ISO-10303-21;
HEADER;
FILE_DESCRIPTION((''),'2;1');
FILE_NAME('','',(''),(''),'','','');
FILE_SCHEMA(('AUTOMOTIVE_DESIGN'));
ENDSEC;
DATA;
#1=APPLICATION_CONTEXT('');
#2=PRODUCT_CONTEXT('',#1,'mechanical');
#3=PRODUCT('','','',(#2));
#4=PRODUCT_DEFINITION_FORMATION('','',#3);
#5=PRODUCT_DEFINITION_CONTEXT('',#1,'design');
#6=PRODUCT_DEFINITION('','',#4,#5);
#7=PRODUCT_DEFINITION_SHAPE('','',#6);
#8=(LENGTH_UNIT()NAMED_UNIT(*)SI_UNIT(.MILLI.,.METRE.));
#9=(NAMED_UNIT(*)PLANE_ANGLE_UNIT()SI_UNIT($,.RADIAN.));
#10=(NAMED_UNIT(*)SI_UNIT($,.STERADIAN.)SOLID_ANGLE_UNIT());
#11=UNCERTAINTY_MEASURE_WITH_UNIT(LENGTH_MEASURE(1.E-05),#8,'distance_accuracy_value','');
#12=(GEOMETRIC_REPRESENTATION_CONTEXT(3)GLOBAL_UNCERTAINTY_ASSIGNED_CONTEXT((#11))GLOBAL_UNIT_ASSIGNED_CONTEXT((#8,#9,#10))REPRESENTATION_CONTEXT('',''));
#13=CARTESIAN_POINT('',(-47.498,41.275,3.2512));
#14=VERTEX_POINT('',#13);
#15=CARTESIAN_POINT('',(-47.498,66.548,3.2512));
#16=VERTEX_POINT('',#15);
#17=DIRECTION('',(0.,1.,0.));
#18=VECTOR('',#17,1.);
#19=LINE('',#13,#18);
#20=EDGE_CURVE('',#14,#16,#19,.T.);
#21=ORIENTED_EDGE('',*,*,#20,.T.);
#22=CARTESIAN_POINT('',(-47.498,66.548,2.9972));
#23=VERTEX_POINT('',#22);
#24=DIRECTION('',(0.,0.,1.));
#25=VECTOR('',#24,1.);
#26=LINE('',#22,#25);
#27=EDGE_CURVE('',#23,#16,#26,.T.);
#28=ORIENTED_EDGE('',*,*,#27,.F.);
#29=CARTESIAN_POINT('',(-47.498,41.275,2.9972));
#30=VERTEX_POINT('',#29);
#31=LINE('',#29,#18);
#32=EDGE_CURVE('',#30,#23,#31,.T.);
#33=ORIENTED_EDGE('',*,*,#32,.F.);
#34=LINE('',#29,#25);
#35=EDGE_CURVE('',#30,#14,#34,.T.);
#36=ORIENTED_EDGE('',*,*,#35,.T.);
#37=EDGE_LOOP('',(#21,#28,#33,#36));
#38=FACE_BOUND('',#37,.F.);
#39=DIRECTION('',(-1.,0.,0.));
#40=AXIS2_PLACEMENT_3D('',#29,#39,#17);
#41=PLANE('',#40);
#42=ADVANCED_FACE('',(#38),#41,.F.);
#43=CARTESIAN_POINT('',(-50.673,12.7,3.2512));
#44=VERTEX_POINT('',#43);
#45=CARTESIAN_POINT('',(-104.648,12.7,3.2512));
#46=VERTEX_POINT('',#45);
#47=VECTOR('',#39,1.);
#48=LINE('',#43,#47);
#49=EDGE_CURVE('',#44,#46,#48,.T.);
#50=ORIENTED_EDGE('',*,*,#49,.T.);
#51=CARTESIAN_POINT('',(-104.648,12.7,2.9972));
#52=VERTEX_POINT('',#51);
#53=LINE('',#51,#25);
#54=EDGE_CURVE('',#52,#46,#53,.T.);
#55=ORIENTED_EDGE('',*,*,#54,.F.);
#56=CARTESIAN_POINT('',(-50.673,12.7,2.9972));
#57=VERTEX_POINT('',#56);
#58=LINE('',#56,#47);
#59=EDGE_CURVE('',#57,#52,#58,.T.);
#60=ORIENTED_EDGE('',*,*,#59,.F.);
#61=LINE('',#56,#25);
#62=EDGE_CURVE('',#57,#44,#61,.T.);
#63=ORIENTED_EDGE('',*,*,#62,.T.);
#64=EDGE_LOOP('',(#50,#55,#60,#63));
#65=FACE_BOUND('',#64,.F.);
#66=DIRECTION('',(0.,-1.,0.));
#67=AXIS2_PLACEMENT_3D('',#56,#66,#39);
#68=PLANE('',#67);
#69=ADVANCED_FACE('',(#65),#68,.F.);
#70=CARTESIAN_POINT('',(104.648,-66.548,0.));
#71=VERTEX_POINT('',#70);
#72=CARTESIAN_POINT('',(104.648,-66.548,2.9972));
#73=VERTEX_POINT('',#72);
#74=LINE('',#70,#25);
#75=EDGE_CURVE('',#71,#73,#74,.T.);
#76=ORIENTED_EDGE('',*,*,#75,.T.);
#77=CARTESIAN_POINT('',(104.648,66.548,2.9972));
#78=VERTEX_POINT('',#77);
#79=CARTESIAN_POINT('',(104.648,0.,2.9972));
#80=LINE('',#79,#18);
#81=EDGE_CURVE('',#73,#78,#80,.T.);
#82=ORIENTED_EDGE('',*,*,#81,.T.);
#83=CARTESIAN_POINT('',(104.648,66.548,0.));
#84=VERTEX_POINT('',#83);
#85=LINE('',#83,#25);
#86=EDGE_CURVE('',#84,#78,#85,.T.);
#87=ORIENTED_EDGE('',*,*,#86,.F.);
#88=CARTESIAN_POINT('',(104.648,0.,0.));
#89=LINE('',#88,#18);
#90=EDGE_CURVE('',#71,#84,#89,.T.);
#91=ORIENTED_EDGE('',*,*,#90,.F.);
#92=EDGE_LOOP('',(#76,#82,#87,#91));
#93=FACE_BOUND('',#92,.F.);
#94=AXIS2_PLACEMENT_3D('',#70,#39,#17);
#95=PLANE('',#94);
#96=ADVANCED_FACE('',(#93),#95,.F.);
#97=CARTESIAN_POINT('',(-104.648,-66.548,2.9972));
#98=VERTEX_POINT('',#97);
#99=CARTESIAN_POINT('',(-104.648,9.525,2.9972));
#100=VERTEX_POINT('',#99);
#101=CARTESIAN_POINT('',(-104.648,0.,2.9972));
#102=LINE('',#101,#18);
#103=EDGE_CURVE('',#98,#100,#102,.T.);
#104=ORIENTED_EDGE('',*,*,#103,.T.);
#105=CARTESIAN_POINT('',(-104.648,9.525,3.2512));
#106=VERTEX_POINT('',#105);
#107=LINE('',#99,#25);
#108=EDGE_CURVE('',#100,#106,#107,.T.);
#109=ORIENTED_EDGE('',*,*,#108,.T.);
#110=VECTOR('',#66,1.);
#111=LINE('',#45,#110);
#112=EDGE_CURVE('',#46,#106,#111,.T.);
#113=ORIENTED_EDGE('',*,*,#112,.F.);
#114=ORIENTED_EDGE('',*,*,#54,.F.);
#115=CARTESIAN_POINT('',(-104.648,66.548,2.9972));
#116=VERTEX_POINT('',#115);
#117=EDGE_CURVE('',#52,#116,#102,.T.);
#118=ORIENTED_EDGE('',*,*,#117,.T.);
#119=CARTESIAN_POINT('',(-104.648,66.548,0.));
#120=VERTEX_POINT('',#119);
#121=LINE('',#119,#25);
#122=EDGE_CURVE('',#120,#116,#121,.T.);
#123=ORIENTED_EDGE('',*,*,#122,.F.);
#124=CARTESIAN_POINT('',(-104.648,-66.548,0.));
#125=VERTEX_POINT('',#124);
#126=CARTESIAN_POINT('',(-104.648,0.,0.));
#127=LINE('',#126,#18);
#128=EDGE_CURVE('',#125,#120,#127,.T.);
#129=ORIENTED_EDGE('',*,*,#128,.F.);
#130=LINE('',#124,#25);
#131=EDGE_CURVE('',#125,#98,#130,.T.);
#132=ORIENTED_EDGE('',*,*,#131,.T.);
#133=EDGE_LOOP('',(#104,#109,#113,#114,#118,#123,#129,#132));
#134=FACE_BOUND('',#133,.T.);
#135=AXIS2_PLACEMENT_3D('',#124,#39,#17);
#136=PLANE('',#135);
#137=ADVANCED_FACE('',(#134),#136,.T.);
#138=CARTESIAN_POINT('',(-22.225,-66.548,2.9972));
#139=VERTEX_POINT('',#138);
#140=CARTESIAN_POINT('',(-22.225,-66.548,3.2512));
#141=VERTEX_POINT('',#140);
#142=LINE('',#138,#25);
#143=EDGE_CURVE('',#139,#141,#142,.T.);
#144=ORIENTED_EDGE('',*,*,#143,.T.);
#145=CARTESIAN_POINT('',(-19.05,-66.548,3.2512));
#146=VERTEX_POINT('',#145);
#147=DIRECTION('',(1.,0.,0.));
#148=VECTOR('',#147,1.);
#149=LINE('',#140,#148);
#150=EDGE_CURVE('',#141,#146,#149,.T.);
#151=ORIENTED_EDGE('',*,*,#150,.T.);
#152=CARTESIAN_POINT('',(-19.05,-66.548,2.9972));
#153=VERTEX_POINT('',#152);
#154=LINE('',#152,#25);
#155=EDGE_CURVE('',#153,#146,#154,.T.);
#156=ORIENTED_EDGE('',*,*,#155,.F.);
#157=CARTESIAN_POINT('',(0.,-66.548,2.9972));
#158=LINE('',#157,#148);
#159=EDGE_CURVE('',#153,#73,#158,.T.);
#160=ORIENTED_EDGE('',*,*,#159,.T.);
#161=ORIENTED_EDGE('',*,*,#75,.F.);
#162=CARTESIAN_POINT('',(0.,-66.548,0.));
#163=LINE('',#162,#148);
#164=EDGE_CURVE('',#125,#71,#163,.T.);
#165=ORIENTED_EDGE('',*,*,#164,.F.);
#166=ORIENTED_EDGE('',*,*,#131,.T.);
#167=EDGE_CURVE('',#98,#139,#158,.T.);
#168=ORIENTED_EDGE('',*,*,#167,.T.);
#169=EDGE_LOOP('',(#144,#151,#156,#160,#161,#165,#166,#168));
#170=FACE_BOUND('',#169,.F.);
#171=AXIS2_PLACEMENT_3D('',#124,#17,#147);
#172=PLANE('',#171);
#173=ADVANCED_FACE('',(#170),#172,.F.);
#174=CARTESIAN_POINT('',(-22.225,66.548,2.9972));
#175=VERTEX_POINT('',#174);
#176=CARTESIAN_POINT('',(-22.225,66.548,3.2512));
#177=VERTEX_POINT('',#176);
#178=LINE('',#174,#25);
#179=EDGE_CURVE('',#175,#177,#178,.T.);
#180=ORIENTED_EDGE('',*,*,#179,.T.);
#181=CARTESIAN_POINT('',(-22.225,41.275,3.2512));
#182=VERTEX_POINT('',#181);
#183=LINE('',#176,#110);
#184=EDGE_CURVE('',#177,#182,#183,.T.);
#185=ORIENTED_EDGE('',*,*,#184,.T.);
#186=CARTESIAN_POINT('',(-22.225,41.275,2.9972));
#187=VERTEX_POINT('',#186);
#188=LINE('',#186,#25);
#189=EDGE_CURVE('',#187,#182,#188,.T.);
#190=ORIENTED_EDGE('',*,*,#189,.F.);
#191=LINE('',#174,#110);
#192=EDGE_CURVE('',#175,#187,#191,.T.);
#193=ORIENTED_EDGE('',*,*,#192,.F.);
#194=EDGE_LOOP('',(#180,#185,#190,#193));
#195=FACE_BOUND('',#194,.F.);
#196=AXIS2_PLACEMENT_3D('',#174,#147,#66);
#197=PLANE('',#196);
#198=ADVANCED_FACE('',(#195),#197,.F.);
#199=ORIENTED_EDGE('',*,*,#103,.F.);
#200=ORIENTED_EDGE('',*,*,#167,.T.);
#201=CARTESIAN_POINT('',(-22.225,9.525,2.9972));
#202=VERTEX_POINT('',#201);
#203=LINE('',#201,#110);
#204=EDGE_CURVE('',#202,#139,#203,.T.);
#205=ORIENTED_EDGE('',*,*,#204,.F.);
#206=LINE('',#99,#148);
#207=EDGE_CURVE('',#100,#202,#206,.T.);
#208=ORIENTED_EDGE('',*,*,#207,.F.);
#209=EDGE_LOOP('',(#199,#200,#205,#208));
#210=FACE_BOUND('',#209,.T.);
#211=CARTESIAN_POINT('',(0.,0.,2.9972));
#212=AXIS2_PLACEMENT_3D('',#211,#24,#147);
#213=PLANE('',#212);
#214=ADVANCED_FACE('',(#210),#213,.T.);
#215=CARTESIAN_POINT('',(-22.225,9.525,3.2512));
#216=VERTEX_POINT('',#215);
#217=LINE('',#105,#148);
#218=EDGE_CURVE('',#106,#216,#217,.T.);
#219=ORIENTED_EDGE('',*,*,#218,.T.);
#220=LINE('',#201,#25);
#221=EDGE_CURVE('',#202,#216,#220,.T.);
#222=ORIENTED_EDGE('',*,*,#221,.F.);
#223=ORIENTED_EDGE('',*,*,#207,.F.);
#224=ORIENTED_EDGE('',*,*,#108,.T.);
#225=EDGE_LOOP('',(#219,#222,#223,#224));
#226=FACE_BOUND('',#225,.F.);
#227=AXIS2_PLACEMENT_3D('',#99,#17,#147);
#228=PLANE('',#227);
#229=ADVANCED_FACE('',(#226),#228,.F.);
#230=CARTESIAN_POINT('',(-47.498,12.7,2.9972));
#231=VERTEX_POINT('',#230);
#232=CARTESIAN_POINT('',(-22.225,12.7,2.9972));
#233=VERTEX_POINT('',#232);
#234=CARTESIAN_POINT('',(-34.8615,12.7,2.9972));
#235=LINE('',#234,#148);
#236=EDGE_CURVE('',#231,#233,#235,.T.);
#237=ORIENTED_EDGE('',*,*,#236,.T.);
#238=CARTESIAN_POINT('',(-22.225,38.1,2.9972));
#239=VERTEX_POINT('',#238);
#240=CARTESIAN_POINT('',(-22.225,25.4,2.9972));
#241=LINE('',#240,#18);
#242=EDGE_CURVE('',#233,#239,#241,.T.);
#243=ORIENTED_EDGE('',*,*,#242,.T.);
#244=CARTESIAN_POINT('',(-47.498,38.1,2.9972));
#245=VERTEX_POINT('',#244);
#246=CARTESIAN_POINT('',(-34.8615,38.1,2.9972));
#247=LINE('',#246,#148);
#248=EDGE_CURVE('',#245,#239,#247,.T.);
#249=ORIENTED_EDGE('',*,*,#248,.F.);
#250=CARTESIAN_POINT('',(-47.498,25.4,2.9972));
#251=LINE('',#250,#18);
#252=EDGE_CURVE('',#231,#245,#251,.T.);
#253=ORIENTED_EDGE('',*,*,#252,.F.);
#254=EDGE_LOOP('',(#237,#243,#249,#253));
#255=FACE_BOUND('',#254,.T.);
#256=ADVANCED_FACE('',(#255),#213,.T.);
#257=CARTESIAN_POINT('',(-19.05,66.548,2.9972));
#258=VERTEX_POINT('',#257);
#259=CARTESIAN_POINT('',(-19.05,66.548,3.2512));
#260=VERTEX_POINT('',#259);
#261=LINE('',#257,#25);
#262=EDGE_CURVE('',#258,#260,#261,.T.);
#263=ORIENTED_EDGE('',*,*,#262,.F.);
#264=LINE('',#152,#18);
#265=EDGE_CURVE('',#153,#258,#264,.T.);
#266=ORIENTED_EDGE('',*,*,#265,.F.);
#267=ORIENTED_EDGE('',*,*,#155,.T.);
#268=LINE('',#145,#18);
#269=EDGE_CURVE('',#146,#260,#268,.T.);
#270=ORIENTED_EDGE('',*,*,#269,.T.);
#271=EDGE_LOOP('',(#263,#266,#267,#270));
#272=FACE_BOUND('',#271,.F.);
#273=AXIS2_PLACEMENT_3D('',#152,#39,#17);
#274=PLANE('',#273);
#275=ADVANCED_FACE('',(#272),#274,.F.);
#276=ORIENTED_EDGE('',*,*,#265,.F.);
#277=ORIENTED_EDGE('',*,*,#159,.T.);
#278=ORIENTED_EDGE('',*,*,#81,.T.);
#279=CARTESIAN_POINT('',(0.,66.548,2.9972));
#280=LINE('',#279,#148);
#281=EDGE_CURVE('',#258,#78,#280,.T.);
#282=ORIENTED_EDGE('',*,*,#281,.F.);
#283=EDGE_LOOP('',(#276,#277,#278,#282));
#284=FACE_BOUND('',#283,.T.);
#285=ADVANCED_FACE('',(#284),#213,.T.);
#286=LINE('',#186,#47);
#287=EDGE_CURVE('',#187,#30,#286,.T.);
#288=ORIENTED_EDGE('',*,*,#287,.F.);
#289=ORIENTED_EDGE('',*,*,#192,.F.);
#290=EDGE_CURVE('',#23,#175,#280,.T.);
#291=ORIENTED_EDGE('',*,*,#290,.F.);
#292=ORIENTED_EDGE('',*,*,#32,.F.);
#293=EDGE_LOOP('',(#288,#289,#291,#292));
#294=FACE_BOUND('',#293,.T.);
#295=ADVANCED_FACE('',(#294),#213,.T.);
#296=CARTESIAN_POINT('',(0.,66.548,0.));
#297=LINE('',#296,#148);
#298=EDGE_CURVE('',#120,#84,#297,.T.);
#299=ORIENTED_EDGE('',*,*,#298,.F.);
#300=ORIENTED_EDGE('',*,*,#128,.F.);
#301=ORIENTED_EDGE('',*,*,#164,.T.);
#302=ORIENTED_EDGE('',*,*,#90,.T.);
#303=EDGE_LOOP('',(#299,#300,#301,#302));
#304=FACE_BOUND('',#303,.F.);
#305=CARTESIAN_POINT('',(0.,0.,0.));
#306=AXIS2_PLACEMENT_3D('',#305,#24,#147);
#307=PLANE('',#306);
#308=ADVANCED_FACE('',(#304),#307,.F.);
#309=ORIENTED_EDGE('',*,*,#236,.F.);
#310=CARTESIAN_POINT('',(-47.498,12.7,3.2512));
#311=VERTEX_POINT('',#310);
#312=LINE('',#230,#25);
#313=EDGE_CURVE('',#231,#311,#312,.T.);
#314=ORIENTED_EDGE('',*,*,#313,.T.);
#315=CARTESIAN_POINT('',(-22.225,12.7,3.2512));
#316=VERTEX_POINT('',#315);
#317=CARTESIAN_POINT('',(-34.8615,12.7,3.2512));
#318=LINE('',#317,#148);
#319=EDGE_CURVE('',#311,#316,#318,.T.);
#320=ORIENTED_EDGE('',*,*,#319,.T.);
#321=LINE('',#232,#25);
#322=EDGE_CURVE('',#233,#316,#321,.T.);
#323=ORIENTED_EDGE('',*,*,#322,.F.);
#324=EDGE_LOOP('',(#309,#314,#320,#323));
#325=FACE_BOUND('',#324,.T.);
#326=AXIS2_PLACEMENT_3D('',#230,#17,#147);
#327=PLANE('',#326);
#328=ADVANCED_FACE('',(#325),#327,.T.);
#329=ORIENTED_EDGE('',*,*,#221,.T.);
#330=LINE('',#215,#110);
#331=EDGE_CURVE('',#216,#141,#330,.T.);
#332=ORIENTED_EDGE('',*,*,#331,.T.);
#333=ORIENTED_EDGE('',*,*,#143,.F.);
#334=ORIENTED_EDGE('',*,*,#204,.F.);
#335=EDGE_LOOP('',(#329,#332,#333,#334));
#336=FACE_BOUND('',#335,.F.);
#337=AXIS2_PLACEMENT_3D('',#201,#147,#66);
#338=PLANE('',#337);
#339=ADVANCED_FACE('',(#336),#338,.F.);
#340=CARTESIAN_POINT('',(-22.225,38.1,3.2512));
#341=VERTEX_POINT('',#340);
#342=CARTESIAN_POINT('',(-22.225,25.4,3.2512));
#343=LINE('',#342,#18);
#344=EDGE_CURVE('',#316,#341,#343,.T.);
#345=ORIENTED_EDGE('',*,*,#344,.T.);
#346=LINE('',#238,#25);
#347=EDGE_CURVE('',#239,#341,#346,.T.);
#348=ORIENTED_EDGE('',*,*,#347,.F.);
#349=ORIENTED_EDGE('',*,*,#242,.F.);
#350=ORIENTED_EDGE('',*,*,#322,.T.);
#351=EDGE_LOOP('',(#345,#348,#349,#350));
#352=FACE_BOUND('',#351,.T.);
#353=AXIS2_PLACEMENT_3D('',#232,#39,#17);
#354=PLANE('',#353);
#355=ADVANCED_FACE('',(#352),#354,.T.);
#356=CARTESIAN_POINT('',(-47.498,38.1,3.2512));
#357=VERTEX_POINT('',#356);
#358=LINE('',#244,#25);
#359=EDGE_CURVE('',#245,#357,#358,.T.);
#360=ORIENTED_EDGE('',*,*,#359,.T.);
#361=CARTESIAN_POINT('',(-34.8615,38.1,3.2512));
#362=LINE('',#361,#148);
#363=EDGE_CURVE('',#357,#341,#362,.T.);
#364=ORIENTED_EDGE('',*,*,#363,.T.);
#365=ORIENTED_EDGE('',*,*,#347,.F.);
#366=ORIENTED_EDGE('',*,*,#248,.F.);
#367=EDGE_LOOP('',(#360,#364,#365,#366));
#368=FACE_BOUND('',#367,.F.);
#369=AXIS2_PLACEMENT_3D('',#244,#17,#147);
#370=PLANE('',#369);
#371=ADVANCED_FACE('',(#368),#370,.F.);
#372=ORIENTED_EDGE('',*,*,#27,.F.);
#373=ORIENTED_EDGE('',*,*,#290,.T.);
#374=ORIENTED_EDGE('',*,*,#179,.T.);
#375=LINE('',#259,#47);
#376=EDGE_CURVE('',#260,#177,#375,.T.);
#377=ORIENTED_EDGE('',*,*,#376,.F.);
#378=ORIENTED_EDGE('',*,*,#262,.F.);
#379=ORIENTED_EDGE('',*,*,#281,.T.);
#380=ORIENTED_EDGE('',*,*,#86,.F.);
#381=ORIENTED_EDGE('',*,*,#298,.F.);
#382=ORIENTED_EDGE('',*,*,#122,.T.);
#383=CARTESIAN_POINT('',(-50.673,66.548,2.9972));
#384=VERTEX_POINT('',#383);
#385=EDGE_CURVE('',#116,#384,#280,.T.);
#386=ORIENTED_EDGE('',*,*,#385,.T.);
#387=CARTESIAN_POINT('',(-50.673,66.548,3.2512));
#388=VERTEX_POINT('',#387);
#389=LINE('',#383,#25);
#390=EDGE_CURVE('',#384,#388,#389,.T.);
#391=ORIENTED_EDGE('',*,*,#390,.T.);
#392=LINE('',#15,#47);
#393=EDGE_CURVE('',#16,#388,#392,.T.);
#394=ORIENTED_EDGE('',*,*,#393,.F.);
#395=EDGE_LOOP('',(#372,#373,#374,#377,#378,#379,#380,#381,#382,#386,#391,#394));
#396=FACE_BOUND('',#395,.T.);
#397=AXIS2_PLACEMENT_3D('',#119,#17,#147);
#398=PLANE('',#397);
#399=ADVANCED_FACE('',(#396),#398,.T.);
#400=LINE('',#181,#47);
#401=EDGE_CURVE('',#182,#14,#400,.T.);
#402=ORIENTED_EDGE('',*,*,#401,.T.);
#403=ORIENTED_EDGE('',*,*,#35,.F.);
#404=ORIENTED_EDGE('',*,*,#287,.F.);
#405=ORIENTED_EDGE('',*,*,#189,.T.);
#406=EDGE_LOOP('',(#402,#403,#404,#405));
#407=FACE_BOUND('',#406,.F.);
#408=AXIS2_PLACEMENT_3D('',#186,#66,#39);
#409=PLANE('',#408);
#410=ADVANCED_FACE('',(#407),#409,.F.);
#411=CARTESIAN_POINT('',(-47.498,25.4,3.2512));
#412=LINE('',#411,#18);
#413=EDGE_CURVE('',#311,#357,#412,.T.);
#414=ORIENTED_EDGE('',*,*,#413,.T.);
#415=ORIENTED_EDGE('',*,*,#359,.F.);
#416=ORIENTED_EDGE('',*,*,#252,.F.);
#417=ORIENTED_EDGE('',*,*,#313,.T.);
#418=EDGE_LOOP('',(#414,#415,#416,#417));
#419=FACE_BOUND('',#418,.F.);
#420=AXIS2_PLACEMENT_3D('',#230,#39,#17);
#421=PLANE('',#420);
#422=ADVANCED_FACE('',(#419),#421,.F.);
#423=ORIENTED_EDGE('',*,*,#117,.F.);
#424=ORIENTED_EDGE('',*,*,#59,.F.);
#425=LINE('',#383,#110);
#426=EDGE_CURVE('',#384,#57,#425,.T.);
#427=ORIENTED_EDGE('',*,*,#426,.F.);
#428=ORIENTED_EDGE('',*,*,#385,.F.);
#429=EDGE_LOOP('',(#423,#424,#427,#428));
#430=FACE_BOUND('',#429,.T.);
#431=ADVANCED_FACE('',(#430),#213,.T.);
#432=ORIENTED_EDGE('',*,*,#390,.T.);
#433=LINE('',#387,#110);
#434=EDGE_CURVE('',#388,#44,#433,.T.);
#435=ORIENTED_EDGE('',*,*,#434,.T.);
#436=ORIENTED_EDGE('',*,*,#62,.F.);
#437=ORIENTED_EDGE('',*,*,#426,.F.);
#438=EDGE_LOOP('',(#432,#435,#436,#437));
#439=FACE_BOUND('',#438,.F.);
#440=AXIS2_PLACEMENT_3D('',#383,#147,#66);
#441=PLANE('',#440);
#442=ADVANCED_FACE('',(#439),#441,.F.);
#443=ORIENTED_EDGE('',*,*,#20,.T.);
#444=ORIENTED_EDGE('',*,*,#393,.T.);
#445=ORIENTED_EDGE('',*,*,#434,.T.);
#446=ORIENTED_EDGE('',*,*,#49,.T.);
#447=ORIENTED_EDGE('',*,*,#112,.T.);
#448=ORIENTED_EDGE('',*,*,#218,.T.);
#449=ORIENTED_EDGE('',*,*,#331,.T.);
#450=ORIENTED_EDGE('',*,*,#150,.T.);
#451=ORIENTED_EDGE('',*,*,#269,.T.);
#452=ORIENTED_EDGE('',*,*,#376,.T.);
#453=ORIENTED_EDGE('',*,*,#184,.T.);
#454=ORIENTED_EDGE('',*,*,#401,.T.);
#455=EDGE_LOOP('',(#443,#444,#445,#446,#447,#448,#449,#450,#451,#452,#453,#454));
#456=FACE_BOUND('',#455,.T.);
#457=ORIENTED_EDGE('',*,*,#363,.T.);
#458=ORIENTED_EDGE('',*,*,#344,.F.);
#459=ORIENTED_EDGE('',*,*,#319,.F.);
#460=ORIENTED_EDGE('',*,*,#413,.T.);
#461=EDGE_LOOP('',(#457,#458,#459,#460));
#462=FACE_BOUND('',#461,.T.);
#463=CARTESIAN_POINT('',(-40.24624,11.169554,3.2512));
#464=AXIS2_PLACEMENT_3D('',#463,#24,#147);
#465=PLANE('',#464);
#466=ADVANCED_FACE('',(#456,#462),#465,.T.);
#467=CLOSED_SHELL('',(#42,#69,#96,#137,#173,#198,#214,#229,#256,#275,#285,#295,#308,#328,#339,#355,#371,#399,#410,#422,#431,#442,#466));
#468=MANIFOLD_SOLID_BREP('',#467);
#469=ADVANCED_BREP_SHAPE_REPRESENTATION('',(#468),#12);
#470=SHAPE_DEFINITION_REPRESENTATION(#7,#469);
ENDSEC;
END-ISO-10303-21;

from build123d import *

# Parameters (mm, degrees)
F0_W     = 209.296
F0_H     = 133.096
F1_DEPTH = 2.9972
F2_W     = 25.273
F2_H     = 25.4
F3_DEPTH = 0.254


with BuildPart() as f1:
    # F0 (on Top) → F1 (new body)
    with BuildSketch(Plane.XY):
        Rectangle(F0_W, F0_H)
    extrude(amount=F1_DEPTH)

    # F2 (on face) → F3 (join)
    with BuildSketch(Plane.XY.offset(2.9972)):
        Polygon((-47.498, 66.548), (-50.673, 66.548), (-50.673, 12.7), (-104.648, 12.7), (-104.648, 9.525), (-22.225, 9.525), (-22.225, -66.548), (-19.05, -66.548), (-19.05, 66.548), (-22.225, 66.548), (-22.225, 41.275), (-47.498, 41.275), align=None)
        with Locations((-34.8615, 25.4)):
            Rectangle(F2_W, F2_H, mode=Mode.SUBTRACT)
    extrude(amount=F3_DEPTH)


solid = f1.part
